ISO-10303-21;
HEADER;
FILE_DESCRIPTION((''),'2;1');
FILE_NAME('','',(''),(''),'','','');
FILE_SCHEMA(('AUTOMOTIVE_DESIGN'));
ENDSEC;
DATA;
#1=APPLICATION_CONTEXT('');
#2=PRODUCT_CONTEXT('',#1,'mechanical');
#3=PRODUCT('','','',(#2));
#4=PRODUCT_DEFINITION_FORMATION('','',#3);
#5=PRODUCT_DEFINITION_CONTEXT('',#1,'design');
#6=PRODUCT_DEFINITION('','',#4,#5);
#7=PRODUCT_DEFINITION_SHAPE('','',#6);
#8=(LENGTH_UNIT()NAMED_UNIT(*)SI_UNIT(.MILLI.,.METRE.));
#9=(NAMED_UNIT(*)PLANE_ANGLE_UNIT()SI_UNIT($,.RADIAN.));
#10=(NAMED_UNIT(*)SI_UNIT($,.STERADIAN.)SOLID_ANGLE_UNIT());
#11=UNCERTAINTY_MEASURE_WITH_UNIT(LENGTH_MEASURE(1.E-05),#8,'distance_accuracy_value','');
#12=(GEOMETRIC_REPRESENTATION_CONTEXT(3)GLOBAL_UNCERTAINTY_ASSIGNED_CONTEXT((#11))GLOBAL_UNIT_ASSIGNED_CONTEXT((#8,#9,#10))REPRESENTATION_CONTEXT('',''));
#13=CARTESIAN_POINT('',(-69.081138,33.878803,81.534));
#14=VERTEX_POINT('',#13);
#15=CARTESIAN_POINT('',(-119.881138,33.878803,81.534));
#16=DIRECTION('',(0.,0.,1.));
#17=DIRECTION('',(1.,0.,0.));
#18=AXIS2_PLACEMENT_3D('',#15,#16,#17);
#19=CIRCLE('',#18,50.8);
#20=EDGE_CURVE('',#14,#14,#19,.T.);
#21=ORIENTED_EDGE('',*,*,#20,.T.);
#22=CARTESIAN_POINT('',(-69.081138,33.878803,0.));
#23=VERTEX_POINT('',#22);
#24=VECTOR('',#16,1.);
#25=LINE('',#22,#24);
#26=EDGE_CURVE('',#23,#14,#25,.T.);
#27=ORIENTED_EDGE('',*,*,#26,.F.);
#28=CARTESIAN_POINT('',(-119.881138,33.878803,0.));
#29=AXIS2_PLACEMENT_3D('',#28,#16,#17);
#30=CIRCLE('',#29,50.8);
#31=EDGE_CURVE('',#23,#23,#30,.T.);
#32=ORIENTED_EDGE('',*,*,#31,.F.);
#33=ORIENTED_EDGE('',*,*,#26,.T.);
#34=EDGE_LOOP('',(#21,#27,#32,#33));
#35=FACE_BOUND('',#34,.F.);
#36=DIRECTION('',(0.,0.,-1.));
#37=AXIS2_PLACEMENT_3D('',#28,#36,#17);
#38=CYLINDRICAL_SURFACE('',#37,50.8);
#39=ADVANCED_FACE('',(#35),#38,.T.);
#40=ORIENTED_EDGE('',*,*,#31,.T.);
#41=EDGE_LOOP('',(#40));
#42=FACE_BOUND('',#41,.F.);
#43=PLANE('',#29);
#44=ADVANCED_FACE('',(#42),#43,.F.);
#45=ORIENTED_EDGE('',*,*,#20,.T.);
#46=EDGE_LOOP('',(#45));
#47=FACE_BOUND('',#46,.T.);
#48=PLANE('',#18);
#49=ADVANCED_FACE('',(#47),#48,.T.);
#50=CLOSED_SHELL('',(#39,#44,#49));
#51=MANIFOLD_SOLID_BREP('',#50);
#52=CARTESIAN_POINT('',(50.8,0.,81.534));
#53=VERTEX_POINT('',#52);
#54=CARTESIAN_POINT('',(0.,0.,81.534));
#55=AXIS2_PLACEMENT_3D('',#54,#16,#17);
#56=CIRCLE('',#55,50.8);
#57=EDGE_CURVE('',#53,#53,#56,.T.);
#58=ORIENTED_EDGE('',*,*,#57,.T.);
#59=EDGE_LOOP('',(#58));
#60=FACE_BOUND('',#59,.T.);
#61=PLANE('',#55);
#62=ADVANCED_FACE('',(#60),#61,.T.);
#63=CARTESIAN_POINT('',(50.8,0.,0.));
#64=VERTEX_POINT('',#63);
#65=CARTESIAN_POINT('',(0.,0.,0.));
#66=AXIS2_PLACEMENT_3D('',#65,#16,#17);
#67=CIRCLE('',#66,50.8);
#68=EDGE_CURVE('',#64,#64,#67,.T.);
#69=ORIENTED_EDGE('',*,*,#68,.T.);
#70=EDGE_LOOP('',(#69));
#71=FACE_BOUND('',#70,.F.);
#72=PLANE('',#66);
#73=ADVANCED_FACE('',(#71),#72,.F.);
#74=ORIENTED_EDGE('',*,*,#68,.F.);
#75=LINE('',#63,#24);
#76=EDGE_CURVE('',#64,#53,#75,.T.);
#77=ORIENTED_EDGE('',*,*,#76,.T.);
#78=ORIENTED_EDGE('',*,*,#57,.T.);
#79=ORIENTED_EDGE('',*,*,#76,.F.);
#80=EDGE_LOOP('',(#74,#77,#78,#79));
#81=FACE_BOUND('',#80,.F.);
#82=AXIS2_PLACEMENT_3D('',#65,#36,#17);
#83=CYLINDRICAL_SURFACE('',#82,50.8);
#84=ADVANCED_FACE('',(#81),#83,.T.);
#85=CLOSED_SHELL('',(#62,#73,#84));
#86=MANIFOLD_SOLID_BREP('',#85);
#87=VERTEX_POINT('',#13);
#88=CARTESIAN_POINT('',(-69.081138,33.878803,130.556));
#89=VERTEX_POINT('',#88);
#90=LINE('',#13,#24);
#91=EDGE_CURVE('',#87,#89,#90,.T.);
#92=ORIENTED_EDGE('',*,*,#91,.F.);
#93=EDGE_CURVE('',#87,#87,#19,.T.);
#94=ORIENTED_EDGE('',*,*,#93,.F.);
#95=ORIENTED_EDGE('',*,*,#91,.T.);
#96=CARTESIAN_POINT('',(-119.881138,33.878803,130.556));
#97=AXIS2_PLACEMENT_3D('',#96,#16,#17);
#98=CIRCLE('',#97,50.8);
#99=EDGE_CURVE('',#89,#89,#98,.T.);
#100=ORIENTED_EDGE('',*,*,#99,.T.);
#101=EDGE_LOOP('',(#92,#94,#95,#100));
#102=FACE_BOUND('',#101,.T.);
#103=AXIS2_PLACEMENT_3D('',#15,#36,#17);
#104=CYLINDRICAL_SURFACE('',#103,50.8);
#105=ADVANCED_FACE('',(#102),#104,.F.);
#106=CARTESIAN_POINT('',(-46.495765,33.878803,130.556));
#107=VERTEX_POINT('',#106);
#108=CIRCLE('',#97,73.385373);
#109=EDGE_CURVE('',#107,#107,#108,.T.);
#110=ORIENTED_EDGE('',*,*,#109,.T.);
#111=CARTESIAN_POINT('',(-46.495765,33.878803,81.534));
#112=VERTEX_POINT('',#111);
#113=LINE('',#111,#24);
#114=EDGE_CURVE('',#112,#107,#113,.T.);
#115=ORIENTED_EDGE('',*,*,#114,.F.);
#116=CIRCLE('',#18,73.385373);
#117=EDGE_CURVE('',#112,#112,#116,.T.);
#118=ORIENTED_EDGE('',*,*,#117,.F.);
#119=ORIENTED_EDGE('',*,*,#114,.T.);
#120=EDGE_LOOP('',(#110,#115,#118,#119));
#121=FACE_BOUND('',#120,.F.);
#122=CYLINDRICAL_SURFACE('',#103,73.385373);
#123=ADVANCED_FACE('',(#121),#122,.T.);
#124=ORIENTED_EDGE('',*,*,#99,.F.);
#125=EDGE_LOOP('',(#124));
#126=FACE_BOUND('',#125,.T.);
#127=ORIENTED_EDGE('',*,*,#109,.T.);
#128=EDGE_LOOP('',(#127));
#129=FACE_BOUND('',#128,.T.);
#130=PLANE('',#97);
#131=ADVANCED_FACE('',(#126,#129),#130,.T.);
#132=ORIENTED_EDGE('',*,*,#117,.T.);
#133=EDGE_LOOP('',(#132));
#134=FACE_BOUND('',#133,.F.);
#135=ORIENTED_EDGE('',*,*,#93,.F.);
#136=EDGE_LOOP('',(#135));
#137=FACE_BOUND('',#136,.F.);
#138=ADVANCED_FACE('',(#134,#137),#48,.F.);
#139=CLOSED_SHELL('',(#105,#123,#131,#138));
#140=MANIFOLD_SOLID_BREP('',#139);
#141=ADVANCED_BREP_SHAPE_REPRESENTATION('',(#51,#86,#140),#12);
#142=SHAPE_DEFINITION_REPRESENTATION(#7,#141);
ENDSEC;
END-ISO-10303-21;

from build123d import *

# Parameters (mm, degrees)
F0_R     = 50.8
F1_DEPTH = 81.534
F2_R     = 73.385373
F2_R_2   = 50.8
F3_DEPTH = 49.022


with BuildPart() as f1:
    # F0 (on Top) → F1 (new body)
    with BuildSketch(Plane.XY):
        with Locations((-119.881138, 33.878803)):
            Circle(F0_R)
        Circle(F0_R)
    extrude(amount=F1_DEPTH)


with BuildPart() as f3:
    # F2 (on face) → F3 (new body)
    with BuildSketch(Plane.XY.offset(81.534)):
        with Locations((-119.881138, 33.878803)):
            Circle(F2_R)
        with Locations((-119.881138, 33.878803)):
            Circle(F2_R_2, mode=Mode.SUBTRACT)
    extrude(amount=F3_DEPTH)


solid = Compound([f1.part, f3.part])
